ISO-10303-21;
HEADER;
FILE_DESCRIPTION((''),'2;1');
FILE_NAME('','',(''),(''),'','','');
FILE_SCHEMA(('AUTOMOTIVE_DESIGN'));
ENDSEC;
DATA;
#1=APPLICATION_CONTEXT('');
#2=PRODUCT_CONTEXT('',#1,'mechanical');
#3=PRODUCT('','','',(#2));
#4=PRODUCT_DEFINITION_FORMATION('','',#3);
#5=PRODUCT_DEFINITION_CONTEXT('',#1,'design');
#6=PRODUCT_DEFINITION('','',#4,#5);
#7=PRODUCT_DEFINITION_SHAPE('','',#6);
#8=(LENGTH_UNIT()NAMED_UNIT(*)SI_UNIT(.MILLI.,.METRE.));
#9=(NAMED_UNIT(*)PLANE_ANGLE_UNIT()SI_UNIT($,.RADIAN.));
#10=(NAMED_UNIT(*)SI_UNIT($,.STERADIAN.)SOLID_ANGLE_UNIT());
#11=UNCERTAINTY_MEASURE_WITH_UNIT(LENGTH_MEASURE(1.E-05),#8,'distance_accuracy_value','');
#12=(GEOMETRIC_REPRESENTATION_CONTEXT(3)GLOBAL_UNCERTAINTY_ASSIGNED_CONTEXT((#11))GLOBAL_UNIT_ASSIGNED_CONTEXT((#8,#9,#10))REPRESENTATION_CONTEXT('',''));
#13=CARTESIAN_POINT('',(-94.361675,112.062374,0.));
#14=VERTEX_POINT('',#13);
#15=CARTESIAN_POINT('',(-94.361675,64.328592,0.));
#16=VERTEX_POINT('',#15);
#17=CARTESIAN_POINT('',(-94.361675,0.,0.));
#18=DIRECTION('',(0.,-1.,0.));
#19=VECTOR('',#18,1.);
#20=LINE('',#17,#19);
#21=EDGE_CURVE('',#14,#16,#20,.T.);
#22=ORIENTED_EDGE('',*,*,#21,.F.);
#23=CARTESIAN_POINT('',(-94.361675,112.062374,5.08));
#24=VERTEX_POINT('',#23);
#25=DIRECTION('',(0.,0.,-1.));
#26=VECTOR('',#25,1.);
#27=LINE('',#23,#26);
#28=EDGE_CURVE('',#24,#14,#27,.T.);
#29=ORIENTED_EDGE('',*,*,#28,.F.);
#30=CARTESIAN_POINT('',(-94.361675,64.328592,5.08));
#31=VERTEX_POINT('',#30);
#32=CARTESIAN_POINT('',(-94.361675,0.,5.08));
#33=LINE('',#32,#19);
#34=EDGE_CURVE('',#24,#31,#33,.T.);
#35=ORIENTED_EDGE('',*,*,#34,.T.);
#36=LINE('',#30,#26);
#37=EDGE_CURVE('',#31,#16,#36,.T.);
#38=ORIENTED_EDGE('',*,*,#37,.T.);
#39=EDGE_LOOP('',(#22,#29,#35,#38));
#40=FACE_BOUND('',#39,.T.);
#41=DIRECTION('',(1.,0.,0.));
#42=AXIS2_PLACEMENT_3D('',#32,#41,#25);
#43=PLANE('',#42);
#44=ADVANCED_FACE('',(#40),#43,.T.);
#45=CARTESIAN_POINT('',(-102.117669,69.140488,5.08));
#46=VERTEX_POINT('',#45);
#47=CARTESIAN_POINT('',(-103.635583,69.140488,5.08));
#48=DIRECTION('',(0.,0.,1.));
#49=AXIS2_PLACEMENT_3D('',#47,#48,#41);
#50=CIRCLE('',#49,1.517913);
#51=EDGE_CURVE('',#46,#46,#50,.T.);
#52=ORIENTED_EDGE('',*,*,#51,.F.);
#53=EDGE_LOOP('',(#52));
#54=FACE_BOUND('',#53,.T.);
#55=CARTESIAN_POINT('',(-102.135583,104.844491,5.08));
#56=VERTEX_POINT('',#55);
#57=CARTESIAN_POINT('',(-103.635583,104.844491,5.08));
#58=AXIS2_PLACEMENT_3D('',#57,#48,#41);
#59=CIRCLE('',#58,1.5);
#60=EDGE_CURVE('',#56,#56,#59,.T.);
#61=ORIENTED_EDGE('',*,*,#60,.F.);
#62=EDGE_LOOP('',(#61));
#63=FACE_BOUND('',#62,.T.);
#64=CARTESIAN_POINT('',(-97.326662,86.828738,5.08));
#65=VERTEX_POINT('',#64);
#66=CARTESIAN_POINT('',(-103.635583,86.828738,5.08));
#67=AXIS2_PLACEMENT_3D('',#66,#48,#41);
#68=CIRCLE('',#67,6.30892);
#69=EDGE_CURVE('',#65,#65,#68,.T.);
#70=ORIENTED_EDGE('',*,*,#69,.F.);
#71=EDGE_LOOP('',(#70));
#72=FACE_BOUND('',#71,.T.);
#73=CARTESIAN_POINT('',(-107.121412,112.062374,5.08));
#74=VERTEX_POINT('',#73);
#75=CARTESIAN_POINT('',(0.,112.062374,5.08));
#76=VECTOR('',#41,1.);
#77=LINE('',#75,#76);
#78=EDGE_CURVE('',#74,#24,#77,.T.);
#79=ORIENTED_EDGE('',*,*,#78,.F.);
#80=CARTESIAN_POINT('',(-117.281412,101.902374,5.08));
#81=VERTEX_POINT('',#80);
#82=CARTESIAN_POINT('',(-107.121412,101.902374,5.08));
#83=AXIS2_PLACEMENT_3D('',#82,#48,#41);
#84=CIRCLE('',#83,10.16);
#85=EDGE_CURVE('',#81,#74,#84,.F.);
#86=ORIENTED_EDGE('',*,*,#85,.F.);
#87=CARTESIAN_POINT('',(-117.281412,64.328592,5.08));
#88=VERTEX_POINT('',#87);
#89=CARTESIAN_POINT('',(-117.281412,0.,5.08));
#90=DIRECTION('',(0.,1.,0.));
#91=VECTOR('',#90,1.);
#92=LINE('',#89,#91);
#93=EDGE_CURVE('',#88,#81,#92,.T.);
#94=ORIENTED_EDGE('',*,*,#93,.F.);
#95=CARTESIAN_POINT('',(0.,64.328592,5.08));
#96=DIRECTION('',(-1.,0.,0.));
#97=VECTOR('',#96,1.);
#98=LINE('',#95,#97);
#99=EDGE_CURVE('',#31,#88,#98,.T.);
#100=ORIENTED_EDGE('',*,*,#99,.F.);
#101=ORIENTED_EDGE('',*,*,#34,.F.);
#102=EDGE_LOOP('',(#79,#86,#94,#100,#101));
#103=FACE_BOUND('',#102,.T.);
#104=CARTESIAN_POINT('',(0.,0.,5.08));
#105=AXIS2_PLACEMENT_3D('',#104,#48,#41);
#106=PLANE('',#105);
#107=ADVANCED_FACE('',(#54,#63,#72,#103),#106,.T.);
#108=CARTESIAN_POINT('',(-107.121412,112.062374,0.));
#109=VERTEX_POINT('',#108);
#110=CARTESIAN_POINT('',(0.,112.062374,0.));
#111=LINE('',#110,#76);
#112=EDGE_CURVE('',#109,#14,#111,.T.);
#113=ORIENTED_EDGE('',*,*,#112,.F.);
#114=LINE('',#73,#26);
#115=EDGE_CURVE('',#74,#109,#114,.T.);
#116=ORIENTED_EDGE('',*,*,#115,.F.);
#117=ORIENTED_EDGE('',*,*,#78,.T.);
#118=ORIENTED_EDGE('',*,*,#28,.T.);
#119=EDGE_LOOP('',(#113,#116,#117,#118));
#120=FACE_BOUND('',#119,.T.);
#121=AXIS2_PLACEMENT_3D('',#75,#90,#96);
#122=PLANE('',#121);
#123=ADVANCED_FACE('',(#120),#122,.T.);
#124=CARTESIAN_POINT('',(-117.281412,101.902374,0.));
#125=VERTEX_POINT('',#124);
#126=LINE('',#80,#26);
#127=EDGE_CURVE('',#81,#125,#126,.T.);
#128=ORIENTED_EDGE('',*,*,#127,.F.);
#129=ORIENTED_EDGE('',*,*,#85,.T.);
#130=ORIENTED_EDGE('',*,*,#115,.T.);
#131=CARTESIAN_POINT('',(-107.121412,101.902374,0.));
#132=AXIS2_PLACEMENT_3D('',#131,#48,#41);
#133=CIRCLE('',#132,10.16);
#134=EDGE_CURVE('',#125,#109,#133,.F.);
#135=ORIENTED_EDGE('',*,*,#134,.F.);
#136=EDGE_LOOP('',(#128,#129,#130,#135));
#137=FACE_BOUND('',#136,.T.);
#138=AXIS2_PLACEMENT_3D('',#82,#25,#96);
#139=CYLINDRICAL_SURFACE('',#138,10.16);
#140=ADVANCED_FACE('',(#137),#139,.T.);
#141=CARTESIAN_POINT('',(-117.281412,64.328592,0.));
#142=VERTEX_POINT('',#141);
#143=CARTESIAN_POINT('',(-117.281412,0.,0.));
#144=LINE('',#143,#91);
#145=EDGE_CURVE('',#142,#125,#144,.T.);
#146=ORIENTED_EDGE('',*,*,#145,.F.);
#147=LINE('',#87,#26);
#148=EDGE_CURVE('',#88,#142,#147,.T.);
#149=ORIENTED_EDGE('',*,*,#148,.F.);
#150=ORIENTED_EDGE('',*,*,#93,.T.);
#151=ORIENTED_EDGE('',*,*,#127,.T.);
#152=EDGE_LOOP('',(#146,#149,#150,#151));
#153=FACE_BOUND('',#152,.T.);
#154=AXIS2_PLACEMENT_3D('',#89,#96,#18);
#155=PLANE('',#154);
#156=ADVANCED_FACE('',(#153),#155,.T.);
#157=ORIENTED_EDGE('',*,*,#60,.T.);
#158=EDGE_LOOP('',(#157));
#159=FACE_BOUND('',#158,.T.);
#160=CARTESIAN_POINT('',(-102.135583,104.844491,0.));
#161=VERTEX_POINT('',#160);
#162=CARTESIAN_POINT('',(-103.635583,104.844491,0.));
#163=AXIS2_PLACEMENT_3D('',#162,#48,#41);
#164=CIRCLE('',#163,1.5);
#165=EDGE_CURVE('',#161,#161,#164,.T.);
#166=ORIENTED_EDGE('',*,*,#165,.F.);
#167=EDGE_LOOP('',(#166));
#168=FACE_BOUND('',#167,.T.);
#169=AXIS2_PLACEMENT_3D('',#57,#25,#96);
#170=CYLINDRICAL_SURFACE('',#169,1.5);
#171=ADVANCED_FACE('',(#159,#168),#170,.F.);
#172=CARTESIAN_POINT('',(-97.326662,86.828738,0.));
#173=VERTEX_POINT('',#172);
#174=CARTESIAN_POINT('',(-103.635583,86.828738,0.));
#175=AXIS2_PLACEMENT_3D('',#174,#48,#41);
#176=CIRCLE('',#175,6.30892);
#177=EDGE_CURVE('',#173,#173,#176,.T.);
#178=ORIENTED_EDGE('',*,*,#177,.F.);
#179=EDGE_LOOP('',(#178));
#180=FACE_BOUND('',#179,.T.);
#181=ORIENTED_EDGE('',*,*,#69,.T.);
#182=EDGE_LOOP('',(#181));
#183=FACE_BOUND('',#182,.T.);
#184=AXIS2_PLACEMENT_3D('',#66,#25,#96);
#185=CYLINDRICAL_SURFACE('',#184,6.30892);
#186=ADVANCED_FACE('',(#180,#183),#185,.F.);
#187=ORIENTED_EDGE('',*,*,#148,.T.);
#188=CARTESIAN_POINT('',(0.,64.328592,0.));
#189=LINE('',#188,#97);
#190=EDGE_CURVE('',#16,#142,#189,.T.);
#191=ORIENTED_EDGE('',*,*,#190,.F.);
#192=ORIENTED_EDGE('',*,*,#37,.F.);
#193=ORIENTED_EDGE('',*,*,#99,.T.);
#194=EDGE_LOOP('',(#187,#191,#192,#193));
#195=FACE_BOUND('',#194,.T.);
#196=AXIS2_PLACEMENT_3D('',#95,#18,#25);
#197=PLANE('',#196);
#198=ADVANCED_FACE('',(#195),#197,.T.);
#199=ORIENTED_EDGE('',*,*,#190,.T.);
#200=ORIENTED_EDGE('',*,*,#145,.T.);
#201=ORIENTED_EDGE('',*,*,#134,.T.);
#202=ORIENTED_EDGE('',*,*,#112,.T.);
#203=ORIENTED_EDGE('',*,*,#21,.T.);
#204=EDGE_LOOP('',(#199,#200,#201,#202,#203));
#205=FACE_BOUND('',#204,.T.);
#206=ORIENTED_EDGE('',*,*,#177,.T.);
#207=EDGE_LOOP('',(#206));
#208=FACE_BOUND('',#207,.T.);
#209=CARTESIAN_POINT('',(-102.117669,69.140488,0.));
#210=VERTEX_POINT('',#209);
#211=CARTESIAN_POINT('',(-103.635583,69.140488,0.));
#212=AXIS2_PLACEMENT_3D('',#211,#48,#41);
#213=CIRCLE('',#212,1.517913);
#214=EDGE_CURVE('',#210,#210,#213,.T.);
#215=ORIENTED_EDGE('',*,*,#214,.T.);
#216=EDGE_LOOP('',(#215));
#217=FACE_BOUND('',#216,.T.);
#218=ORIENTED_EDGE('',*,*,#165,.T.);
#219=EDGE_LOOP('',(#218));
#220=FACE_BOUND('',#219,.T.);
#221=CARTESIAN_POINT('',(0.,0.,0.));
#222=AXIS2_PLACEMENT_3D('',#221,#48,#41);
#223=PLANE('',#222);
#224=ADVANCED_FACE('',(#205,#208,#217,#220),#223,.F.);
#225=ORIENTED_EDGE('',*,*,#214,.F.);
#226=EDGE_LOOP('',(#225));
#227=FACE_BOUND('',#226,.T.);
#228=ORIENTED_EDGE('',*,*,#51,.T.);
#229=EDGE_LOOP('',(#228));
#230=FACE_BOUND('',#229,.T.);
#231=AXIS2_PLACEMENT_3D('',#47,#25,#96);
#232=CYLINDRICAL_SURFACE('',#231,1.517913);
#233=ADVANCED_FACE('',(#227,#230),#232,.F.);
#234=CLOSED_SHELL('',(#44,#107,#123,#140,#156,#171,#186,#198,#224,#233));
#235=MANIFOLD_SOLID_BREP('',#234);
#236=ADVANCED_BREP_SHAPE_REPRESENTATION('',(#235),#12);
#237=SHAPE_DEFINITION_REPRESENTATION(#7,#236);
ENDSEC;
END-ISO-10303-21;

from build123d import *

# Parameters (mm, degrees)
SKETCH1_R           = 1.5
SKETCH1_R_2         = 1.517913389
BOSS_EXTRUDE1_DEPTH = 5.08


with BuildPart() as part:
    # Sketch1 → Boss-Extrude1 (new body)
    with BuildSketch(Plane(origin=(0, 0, 0), x_dir=(-1, 0, 0), z_dir=(0, 0, 1))):
        with BuildLine():
            Line((94.361674585, -64.328592097), (94.361674585, -111.794978321))
            Line((94.361674585, -111.794978321), (94.361674585, -112.062374013))
            Line((94.361674585, -112.062374013), (107.121412131, -112.062374013))
            ThreePointArc((107.121412131, -112.062374013), (114.305617027, -109.08657891), (117.281412131, -101.902374013))
            Line((117.281412131, -101.902374013), (117.281412131, -64.328592097))
            Line((117.281412131, -64.328592097), (94.361674585, -64.328592097))
        make_face()
        with Locations((103.635582515, -104.844491412)):
            Circle(SKETCH1_R, mode=Mode.SUBTRACT)
        with BuildLine():
            ThreePointArc((109.76359006, -88.328738191), (97.326662127, -86.828738191), (109.76359006, -85.328738191))
            ThreePointArc((109.76359006, -85.328738191), (109.944502904, -86.828738191), (109.76359006, -88.328738191))
        make_face(mode=Mode.SUBTRACT)
        with Locations((103.635582515, -69.140487693)):
            Circle(SKETCH1_R_2, mode=Mode.SUBTRACT)
    extrude(amount=BOSS_EXTRUDE1_DEPTH)


solid = part.part
